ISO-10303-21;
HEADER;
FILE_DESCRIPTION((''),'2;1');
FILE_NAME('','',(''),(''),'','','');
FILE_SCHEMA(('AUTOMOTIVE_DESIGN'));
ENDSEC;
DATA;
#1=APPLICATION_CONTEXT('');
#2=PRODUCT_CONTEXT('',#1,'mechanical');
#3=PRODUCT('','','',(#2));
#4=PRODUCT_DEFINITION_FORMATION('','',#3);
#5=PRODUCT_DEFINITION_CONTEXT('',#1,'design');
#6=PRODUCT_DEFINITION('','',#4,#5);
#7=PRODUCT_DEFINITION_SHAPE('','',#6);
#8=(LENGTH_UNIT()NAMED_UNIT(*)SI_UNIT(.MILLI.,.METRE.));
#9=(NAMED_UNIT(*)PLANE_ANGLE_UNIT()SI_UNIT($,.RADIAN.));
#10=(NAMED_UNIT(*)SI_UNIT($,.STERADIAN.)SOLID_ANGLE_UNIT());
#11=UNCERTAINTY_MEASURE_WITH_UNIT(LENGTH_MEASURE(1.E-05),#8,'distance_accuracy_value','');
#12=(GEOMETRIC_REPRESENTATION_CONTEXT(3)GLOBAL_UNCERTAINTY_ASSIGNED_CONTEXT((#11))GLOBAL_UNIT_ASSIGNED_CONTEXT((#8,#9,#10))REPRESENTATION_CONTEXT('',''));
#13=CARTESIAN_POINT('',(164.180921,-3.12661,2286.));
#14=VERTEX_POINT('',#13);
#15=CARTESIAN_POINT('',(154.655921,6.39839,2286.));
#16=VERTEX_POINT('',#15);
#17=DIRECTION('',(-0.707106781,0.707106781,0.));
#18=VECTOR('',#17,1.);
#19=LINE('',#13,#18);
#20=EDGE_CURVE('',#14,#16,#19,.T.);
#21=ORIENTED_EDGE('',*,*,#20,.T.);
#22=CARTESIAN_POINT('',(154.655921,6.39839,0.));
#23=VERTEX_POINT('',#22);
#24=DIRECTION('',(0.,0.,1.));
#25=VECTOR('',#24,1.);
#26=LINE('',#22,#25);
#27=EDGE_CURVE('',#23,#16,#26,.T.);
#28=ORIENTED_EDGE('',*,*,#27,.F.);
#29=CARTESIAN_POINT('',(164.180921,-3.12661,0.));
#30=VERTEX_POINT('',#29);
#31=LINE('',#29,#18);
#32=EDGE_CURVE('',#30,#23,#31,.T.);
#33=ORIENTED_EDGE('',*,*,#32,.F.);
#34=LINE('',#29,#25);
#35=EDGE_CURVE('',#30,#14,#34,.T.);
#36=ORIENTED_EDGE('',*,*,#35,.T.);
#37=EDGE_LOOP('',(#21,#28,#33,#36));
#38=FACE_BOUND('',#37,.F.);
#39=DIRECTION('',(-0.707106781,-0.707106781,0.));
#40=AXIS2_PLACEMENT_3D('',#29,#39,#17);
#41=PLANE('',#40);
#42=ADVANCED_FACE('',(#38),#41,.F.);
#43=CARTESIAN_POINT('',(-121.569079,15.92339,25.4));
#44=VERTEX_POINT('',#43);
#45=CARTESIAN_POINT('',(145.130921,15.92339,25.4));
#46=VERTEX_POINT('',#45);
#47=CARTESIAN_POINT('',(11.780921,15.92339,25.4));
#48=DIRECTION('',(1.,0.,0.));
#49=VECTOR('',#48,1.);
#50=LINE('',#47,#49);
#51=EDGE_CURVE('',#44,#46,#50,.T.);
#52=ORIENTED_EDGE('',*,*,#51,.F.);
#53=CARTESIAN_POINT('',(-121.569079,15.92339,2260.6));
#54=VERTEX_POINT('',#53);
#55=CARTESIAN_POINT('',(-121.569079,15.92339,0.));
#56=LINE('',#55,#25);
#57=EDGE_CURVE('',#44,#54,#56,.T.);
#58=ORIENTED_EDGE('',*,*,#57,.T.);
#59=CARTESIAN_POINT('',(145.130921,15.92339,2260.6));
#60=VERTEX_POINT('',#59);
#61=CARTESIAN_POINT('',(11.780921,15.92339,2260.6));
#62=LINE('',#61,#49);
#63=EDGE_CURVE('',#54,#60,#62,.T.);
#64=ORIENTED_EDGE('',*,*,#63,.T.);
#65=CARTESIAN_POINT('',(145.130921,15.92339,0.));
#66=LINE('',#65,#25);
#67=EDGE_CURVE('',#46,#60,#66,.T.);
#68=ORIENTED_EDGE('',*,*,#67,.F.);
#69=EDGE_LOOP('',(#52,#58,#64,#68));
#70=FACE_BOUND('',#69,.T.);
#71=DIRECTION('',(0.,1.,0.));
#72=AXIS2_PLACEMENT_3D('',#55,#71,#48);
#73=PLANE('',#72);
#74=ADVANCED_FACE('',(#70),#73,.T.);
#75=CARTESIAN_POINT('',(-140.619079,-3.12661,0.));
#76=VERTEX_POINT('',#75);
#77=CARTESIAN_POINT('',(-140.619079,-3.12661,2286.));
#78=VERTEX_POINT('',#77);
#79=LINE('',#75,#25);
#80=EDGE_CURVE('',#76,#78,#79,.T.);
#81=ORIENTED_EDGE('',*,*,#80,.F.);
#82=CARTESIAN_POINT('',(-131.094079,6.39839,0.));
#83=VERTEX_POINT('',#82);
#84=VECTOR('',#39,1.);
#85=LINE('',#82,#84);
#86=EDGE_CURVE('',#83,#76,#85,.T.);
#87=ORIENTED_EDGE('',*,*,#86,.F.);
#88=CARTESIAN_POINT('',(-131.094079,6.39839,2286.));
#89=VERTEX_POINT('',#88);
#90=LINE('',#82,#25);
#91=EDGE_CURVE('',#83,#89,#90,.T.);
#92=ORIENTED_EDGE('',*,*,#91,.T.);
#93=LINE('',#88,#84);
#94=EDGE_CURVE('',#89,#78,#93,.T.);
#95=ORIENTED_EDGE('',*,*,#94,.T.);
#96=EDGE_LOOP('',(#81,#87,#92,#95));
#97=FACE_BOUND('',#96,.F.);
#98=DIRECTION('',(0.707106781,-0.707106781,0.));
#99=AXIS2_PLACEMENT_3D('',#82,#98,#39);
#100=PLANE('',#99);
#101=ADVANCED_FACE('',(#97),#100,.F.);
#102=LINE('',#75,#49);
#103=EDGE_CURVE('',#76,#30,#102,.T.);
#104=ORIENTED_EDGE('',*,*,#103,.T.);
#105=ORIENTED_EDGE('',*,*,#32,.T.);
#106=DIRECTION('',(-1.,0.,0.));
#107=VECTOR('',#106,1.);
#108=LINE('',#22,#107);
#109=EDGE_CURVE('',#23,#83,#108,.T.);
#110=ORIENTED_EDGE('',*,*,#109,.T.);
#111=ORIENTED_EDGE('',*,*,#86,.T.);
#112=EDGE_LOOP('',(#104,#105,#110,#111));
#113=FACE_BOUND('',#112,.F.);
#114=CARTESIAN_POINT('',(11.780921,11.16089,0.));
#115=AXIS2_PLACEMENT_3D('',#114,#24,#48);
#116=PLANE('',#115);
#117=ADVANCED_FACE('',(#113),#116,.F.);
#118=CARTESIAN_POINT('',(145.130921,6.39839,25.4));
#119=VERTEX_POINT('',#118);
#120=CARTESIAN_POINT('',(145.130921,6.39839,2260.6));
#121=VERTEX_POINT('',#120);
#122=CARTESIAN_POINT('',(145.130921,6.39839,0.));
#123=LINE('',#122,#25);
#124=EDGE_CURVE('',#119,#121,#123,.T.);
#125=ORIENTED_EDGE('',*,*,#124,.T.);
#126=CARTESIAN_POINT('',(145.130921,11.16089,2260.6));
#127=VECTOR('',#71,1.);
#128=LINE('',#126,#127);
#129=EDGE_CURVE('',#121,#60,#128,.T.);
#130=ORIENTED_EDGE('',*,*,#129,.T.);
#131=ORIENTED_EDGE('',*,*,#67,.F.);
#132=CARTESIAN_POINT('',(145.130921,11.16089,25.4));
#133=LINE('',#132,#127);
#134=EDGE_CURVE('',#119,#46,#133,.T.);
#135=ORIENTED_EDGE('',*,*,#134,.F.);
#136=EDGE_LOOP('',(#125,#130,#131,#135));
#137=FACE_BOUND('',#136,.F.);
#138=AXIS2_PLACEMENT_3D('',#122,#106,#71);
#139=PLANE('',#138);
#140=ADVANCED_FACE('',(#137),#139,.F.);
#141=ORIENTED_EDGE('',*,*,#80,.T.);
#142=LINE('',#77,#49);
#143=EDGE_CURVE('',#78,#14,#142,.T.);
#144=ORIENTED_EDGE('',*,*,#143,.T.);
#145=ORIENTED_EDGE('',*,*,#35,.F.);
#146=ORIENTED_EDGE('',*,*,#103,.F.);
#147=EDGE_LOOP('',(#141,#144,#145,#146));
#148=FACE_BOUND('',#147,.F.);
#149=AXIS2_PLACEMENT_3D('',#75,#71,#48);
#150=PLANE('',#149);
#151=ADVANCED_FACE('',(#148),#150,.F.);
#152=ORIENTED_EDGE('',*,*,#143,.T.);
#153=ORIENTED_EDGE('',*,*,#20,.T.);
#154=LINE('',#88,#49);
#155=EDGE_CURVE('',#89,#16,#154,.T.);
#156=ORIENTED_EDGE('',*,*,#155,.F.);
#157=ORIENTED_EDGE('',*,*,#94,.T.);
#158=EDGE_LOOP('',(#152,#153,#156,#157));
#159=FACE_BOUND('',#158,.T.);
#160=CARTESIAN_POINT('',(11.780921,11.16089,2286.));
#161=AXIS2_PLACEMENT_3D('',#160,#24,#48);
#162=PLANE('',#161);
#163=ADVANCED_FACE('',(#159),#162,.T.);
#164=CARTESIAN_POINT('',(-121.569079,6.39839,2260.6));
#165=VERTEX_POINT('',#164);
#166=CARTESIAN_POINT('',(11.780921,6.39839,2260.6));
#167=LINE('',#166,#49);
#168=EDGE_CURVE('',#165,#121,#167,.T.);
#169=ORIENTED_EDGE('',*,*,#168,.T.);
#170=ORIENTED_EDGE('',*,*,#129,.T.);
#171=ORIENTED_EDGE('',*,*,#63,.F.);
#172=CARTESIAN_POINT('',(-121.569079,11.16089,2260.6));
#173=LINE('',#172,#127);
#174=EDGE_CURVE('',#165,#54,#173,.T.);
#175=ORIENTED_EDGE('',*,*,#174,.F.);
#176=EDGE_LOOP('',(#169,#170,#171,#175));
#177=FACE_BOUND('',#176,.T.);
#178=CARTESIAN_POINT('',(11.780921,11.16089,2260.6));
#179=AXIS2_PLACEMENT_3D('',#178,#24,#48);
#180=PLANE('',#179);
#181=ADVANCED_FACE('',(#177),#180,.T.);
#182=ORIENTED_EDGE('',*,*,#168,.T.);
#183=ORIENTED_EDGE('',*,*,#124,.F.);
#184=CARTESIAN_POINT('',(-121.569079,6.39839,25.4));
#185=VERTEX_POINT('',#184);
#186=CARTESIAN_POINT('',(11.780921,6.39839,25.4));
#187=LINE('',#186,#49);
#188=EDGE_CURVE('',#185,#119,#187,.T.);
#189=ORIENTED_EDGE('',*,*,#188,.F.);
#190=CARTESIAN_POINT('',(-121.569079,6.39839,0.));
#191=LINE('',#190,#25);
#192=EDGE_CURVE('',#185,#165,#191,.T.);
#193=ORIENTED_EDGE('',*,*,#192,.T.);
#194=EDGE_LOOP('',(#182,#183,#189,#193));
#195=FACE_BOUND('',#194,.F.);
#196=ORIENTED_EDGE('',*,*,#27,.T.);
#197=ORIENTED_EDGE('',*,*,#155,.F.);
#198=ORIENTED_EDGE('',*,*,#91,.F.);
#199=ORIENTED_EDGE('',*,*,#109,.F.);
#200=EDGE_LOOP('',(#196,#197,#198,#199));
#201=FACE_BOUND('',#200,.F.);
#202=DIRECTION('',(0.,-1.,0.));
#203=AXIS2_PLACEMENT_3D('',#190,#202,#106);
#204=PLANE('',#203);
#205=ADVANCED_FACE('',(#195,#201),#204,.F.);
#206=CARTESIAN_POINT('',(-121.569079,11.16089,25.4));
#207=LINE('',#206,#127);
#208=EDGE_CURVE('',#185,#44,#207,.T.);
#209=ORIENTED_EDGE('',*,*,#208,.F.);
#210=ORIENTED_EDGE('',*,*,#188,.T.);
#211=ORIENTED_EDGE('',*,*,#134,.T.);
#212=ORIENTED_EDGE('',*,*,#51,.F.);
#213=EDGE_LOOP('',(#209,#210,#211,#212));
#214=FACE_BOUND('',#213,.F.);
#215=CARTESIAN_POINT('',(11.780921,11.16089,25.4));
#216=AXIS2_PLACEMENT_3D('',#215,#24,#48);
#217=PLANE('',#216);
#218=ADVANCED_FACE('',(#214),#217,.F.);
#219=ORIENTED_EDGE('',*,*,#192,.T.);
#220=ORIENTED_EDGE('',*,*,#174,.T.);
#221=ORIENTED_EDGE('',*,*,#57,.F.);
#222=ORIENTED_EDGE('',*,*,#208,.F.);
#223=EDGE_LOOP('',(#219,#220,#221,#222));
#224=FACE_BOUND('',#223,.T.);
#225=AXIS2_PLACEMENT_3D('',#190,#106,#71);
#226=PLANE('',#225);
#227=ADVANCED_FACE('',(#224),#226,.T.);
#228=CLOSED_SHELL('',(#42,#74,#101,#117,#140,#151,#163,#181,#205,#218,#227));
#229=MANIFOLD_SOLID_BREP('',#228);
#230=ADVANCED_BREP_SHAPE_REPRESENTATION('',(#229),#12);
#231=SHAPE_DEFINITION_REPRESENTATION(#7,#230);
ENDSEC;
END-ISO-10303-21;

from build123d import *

# Parameters (mm, degrees)
F0_W     = 266.7
F0_H     = 9.525
F1_DEPTH = 2286
F2_DEPTH = 25.4
F3_W     = 266.7
F3_H     = 9.525
F4_DEPTH = 25.4


with BuildPart() as f1:
    # F0 (on Top) → F1 (new body)
    with BuildSketch(Plane.XY):
        with Locations((11.780921, 11.16089)):
            Rectangle(F0_W, F0_H)
        Polygon((-131.094079, 6.39839), (-140.619079, -3.12661), (164.180921, -3.12661), (154.655921, 6.39839), (145.130921, 6.39839), (-121.569079, 6.39839), align=None)
    extrude(amount=F1_DEPTH)

    # F0 (on Top) → F2 (cut)
    with BuildSketch(Plane.XY):
        with Locations((11.780921, 11.16089)):
            Rectangle(F0_W, F0_H)
    extrude(amount=F2_DEPTH, mode=Mode.SUBTRACT)

    # F3 (on face) → F4 (cut)
    with BuildSketch(Plane.XY.offset(2286)):
        with Locations((11.780921, 11.16089)):
            Rectangle(F3_W, F3_H)
    extrude(amount=-F4_DEPTH, mode=Mode.SUBTRACT)


solid = f1.part
